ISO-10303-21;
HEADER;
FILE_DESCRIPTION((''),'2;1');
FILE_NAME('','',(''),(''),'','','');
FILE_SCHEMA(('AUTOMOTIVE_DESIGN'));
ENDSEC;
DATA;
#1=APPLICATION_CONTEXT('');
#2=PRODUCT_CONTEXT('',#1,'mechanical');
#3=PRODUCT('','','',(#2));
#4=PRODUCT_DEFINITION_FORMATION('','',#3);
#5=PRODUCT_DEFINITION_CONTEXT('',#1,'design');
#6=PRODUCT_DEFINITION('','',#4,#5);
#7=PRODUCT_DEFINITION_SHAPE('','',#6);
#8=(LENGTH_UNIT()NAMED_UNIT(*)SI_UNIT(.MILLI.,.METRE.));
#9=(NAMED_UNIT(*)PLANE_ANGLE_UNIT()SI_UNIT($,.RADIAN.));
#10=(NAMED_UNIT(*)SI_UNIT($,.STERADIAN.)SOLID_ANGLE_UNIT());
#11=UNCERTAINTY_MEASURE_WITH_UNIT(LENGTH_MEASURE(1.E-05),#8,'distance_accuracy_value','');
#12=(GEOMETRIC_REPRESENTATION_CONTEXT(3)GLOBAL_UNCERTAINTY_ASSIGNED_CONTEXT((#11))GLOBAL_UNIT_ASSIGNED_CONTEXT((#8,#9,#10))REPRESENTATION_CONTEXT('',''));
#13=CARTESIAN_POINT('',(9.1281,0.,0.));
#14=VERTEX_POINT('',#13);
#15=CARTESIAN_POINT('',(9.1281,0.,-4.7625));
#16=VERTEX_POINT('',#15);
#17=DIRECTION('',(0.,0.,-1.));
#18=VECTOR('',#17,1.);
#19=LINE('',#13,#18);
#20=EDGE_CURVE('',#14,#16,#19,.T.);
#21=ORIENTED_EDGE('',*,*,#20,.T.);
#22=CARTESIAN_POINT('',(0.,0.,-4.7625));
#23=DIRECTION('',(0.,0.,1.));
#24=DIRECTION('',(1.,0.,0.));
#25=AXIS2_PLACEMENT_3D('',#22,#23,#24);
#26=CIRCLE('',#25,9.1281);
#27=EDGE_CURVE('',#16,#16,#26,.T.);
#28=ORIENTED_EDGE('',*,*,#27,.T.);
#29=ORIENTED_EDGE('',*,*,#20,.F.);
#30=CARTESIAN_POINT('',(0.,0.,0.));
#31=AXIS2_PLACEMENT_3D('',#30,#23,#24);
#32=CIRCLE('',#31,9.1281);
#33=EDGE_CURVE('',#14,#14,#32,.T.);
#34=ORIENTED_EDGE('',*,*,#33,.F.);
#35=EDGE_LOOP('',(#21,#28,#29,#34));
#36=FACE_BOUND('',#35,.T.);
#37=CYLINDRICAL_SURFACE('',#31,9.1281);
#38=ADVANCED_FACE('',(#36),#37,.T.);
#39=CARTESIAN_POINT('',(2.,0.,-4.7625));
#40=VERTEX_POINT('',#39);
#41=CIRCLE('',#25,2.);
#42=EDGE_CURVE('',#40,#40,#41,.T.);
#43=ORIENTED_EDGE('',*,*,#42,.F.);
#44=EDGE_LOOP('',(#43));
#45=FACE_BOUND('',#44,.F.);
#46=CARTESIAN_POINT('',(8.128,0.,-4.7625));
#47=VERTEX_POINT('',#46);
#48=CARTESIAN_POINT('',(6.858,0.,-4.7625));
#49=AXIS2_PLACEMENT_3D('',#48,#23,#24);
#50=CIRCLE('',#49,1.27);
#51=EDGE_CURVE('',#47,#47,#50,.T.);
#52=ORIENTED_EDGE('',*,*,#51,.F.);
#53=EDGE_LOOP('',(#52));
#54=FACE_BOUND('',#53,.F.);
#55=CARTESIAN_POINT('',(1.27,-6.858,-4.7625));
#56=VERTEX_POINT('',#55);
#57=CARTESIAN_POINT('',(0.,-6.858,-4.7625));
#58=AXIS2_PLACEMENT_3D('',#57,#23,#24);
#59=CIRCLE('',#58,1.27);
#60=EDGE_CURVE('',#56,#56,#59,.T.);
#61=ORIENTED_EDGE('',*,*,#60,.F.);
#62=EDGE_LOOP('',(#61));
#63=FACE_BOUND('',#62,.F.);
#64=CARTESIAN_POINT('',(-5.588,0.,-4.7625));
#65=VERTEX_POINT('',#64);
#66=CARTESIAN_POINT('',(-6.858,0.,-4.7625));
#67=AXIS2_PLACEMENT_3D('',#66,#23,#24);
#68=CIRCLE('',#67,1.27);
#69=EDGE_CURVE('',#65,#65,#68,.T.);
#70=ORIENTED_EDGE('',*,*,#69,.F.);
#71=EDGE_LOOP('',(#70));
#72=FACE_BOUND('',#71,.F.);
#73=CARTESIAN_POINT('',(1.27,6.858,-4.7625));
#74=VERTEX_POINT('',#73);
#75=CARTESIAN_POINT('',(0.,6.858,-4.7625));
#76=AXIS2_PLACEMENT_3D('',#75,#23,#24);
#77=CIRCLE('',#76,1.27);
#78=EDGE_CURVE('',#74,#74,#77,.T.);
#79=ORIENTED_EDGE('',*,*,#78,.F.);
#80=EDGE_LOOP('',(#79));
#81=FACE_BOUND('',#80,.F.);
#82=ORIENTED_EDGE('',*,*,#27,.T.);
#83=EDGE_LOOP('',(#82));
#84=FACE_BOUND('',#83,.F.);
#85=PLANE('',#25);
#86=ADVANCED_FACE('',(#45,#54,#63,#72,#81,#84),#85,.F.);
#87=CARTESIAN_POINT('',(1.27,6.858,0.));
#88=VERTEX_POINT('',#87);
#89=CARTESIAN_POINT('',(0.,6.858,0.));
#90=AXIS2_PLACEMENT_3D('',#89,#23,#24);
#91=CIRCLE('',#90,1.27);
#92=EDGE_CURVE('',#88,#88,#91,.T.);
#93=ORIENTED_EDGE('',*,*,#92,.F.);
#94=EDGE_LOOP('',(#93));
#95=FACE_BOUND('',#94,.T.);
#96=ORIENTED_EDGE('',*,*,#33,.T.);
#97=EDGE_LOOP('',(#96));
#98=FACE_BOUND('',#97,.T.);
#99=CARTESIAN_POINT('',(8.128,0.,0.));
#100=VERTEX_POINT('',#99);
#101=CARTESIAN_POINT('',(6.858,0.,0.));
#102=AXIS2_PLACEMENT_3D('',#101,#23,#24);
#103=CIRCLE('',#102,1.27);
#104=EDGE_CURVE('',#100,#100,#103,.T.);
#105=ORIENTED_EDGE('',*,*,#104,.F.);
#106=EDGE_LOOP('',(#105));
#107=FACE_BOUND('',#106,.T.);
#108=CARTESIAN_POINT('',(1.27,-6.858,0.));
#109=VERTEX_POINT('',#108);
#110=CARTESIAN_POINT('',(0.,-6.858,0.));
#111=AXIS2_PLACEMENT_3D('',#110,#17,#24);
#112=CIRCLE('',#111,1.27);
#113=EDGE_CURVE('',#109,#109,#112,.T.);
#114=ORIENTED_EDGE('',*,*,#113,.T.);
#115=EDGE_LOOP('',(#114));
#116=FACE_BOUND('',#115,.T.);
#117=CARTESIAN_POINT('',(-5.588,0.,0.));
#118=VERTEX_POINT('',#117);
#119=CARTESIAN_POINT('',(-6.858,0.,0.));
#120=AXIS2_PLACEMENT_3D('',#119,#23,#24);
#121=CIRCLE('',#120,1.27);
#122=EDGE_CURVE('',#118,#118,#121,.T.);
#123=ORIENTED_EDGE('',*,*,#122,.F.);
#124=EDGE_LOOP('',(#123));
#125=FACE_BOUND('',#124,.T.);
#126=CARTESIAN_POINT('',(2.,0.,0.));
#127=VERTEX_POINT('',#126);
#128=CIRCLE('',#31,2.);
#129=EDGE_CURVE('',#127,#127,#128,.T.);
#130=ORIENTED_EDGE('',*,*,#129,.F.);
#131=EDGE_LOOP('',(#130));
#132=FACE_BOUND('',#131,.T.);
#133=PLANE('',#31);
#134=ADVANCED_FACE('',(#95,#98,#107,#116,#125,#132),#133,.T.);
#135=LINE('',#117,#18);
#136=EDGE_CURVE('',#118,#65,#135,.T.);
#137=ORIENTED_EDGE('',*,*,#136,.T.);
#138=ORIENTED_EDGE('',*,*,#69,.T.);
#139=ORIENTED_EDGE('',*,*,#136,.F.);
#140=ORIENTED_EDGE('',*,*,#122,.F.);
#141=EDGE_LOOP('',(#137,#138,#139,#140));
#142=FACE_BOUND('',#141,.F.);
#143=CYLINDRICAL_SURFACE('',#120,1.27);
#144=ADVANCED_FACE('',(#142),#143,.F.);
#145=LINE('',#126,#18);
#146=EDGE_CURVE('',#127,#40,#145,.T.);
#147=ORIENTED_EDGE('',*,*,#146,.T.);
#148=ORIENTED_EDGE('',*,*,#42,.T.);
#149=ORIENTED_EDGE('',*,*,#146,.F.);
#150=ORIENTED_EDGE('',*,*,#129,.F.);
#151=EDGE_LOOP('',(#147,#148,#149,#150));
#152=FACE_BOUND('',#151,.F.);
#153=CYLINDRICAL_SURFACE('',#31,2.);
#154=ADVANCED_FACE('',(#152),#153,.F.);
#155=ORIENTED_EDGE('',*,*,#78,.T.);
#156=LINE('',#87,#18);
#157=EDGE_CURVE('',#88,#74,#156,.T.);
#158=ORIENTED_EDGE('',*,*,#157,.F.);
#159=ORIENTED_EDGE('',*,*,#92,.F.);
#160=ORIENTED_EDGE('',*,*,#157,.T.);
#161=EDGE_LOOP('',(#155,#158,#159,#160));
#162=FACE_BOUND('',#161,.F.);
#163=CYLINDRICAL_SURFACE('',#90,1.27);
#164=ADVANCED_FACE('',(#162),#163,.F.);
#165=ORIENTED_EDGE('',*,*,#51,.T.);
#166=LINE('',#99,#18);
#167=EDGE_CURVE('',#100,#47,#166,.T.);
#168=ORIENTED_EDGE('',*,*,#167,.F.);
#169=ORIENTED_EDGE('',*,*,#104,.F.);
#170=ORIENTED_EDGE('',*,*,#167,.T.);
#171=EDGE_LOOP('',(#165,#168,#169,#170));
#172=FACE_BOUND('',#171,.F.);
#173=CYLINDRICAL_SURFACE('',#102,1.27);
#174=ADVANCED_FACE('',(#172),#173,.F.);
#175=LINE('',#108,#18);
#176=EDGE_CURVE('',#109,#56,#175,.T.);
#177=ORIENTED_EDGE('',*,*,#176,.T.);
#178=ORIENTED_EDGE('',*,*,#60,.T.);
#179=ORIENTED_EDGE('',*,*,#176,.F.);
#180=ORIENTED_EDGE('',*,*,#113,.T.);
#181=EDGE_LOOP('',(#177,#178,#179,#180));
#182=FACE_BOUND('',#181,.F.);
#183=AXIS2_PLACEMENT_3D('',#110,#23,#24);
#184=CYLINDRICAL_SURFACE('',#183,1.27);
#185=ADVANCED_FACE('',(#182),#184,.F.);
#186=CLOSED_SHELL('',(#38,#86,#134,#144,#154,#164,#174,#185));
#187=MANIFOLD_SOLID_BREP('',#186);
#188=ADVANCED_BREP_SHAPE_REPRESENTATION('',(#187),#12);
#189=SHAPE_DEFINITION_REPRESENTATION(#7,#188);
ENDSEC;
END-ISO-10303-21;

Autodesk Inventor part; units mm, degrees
ref_plane "YZ Plane" through (0, 0, 0) normal (1, 0, 0) x (0, 1, 0)
ref_plane "XZ Plane" through (0, 0, 0) normal (0, 1, 0) x (-1, 0, 0)
ref_plane "XY Plane" through (0, 0, 0) normal (0, 0, 1) x (1, 0, 0)
sketch "Sketch1" plane through (0, 0, 0) normal (0, 0, 1) x (1, 0, 0)
  circle A0 centre (0, 0) radius 2 projected
  circle A1 centre (0, 0) radius 9.1281
  point P0 (0, 0)
  dimension "d0" = 18.2563
extrude "Extrusion1" add sketch "Sketch1" against normal blind 4.7625
sketch "Sketch2" plane through (0, 0, 0) normal (0, 0, 1) x (1, 0, 0)
  line L0 (1.118, -1) -> (-1.118, -1) projected
  circle A0 centre (0, 0) radius 2 projected
  circle A1 centre (0, 0) radius 9.1281 projected
  line L1 (0, 0) -> (0, -6.858)
  circle A2 centre (0, -6.858) radius 1.27
  circle A3 centre (6.858, 0) radius 1.27
  circle A4 centre (0, 6.858) radius 1.27
  circle A5 centre (-6.858, 0) radius 1.27
  point P0 (0, 0)
  dimension "d3" = 6.858
  dimension "d4" = 2.54
  dimension "d7" = 360
extrude "Extrusion2" cut sketch "Sketch2" against normal blind 6.35 contours A2 | A3 | A4 | A5
properties part number "Wheel Mount" material "Aluminum 6061"
